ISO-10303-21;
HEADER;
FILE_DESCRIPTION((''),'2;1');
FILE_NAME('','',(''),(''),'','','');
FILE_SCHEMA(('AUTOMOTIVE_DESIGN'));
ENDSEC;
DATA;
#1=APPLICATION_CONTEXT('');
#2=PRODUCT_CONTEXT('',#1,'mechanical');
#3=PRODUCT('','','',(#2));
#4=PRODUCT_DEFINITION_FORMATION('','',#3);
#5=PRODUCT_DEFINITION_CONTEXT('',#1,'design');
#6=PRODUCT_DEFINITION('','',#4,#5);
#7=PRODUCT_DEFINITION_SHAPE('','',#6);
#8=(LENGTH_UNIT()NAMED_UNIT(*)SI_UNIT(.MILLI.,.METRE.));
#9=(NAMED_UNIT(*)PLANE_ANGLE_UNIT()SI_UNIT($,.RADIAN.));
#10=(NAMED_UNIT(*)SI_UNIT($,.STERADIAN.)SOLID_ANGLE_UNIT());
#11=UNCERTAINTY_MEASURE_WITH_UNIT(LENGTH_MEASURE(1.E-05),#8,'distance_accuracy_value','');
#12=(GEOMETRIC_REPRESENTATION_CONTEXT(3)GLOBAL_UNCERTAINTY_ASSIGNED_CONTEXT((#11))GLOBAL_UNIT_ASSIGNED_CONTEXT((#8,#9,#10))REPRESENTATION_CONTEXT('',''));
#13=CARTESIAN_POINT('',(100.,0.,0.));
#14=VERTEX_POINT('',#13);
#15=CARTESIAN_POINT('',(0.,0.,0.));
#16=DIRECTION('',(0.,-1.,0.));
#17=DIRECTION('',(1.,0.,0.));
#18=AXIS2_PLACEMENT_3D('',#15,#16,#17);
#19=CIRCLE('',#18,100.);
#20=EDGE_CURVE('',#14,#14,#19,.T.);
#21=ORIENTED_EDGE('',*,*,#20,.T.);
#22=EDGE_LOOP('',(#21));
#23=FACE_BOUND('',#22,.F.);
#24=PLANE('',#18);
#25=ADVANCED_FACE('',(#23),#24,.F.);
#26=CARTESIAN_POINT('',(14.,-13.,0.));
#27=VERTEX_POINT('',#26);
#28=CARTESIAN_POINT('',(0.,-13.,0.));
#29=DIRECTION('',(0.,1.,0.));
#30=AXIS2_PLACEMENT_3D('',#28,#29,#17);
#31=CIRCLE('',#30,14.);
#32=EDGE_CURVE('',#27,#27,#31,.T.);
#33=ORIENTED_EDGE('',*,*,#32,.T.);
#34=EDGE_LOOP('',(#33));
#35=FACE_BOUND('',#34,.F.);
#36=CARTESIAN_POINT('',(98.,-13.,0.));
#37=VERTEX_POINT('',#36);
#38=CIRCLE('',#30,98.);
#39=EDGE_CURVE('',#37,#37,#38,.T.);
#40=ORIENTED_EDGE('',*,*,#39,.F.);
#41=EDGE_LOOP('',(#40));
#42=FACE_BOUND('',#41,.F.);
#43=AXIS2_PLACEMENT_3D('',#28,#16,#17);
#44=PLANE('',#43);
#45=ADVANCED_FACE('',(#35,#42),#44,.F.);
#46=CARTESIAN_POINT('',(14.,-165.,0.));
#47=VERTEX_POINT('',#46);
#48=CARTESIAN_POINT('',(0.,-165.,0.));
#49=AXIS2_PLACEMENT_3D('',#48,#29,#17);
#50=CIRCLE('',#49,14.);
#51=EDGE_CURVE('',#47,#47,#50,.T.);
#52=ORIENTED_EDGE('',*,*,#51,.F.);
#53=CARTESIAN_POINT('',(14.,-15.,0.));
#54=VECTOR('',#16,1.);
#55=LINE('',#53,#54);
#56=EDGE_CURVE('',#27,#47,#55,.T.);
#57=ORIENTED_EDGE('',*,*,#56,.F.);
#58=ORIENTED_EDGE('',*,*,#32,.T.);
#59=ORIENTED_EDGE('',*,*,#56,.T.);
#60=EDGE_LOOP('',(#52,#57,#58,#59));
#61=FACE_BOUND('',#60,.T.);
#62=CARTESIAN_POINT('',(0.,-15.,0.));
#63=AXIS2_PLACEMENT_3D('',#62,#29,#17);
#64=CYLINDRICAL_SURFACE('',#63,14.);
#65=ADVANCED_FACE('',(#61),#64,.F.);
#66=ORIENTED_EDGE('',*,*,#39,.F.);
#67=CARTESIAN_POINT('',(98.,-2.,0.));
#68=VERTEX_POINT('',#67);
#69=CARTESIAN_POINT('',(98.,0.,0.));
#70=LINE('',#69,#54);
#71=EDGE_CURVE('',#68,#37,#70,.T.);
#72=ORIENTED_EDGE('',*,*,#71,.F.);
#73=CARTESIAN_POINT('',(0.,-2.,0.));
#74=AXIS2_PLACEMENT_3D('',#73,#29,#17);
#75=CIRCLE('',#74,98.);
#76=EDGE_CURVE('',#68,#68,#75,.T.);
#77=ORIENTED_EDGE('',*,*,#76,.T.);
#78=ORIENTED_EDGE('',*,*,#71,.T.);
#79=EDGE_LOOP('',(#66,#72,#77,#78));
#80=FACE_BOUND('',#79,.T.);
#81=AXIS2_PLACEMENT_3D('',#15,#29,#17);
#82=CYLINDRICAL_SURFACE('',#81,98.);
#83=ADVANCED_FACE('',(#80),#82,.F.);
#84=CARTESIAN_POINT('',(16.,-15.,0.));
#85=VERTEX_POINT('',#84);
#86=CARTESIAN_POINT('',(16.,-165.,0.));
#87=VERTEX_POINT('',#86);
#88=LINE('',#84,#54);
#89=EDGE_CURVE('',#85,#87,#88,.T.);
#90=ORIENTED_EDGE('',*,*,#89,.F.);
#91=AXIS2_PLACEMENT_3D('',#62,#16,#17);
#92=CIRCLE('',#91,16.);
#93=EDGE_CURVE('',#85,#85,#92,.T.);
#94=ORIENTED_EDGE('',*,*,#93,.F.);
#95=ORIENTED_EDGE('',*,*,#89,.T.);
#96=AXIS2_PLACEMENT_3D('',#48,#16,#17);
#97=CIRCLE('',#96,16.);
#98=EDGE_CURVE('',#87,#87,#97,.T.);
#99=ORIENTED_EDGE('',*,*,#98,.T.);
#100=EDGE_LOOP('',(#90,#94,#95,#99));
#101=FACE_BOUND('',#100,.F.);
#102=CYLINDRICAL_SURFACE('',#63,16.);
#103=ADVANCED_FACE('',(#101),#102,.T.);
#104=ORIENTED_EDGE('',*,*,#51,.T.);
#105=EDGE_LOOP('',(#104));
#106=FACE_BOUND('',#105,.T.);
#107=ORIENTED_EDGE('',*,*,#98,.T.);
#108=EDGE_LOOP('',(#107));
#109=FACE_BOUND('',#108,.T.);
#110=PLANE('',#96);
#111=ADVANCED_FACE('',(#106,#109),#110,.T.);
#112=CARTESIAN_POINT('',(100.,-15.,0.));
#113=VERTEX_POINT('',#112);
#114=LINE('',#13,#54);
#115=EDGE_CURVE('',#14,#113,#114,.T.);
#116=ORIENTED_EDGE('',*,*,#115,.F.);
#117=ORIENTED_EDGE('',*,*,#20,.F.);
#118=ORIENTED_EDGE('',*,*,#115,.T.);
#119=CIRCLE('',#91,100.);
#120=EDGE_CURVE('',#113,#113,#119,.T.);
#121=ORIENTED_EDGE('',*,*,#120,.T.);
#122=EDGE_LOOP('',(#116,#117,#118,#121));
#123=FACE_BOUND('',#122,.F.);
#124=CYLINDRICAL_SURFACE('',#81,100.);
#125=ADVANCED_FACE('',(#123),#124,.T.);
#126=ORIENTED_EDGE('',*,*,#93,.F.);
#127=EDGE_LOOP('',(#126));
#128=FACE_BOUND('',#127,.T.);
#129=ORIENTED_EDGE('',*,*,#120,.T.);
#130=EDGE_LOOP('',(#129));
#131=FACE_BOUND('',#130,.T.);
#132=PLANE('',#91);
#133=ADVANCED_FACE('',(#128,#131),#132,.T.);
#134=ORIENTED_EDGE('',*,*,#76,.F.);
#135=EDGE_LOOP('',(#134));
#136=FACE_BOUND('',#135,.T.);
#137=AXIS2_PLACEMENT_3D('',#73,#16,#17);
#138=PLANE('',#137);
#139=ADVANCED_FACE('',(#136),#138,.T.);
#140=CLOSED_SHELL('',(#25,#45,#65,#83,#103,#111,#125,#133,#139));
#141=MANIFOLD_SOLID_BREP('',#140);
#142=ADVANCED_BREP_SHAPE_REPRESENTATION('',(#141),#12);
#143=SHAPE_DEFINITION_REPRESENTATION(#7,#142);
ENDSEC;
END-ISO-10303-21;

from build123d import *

# Parameters (mm, degrees)
F0_R     = 100
F1_DEPTH = 15
F2_R     = 16
F3_DEPTH = 150
F4_T     = -2


with BuildPart() as f1:
    # F0 (on Front) → F1 (new body)
    with BuildSketch(Plane.XZ):
        Circle(F0_R)
    extrude(amount=F1_DEPTH)

    # F2 (on face) → F3 (join)
    with BuildSketch(Plane.XZ.offset(15)):
        Circle(F2_R)
    extrude(amount=F3_DEPTH)

    # F4
    f4_openings = [f1.faces().sort_by_distance(p)[0] for p in [
        (0, -165, 0),
    ]]
    offset(amount=F4_T, openings=f4_openings, kind=Kind.INTERSECTION)


solid = f1.part
